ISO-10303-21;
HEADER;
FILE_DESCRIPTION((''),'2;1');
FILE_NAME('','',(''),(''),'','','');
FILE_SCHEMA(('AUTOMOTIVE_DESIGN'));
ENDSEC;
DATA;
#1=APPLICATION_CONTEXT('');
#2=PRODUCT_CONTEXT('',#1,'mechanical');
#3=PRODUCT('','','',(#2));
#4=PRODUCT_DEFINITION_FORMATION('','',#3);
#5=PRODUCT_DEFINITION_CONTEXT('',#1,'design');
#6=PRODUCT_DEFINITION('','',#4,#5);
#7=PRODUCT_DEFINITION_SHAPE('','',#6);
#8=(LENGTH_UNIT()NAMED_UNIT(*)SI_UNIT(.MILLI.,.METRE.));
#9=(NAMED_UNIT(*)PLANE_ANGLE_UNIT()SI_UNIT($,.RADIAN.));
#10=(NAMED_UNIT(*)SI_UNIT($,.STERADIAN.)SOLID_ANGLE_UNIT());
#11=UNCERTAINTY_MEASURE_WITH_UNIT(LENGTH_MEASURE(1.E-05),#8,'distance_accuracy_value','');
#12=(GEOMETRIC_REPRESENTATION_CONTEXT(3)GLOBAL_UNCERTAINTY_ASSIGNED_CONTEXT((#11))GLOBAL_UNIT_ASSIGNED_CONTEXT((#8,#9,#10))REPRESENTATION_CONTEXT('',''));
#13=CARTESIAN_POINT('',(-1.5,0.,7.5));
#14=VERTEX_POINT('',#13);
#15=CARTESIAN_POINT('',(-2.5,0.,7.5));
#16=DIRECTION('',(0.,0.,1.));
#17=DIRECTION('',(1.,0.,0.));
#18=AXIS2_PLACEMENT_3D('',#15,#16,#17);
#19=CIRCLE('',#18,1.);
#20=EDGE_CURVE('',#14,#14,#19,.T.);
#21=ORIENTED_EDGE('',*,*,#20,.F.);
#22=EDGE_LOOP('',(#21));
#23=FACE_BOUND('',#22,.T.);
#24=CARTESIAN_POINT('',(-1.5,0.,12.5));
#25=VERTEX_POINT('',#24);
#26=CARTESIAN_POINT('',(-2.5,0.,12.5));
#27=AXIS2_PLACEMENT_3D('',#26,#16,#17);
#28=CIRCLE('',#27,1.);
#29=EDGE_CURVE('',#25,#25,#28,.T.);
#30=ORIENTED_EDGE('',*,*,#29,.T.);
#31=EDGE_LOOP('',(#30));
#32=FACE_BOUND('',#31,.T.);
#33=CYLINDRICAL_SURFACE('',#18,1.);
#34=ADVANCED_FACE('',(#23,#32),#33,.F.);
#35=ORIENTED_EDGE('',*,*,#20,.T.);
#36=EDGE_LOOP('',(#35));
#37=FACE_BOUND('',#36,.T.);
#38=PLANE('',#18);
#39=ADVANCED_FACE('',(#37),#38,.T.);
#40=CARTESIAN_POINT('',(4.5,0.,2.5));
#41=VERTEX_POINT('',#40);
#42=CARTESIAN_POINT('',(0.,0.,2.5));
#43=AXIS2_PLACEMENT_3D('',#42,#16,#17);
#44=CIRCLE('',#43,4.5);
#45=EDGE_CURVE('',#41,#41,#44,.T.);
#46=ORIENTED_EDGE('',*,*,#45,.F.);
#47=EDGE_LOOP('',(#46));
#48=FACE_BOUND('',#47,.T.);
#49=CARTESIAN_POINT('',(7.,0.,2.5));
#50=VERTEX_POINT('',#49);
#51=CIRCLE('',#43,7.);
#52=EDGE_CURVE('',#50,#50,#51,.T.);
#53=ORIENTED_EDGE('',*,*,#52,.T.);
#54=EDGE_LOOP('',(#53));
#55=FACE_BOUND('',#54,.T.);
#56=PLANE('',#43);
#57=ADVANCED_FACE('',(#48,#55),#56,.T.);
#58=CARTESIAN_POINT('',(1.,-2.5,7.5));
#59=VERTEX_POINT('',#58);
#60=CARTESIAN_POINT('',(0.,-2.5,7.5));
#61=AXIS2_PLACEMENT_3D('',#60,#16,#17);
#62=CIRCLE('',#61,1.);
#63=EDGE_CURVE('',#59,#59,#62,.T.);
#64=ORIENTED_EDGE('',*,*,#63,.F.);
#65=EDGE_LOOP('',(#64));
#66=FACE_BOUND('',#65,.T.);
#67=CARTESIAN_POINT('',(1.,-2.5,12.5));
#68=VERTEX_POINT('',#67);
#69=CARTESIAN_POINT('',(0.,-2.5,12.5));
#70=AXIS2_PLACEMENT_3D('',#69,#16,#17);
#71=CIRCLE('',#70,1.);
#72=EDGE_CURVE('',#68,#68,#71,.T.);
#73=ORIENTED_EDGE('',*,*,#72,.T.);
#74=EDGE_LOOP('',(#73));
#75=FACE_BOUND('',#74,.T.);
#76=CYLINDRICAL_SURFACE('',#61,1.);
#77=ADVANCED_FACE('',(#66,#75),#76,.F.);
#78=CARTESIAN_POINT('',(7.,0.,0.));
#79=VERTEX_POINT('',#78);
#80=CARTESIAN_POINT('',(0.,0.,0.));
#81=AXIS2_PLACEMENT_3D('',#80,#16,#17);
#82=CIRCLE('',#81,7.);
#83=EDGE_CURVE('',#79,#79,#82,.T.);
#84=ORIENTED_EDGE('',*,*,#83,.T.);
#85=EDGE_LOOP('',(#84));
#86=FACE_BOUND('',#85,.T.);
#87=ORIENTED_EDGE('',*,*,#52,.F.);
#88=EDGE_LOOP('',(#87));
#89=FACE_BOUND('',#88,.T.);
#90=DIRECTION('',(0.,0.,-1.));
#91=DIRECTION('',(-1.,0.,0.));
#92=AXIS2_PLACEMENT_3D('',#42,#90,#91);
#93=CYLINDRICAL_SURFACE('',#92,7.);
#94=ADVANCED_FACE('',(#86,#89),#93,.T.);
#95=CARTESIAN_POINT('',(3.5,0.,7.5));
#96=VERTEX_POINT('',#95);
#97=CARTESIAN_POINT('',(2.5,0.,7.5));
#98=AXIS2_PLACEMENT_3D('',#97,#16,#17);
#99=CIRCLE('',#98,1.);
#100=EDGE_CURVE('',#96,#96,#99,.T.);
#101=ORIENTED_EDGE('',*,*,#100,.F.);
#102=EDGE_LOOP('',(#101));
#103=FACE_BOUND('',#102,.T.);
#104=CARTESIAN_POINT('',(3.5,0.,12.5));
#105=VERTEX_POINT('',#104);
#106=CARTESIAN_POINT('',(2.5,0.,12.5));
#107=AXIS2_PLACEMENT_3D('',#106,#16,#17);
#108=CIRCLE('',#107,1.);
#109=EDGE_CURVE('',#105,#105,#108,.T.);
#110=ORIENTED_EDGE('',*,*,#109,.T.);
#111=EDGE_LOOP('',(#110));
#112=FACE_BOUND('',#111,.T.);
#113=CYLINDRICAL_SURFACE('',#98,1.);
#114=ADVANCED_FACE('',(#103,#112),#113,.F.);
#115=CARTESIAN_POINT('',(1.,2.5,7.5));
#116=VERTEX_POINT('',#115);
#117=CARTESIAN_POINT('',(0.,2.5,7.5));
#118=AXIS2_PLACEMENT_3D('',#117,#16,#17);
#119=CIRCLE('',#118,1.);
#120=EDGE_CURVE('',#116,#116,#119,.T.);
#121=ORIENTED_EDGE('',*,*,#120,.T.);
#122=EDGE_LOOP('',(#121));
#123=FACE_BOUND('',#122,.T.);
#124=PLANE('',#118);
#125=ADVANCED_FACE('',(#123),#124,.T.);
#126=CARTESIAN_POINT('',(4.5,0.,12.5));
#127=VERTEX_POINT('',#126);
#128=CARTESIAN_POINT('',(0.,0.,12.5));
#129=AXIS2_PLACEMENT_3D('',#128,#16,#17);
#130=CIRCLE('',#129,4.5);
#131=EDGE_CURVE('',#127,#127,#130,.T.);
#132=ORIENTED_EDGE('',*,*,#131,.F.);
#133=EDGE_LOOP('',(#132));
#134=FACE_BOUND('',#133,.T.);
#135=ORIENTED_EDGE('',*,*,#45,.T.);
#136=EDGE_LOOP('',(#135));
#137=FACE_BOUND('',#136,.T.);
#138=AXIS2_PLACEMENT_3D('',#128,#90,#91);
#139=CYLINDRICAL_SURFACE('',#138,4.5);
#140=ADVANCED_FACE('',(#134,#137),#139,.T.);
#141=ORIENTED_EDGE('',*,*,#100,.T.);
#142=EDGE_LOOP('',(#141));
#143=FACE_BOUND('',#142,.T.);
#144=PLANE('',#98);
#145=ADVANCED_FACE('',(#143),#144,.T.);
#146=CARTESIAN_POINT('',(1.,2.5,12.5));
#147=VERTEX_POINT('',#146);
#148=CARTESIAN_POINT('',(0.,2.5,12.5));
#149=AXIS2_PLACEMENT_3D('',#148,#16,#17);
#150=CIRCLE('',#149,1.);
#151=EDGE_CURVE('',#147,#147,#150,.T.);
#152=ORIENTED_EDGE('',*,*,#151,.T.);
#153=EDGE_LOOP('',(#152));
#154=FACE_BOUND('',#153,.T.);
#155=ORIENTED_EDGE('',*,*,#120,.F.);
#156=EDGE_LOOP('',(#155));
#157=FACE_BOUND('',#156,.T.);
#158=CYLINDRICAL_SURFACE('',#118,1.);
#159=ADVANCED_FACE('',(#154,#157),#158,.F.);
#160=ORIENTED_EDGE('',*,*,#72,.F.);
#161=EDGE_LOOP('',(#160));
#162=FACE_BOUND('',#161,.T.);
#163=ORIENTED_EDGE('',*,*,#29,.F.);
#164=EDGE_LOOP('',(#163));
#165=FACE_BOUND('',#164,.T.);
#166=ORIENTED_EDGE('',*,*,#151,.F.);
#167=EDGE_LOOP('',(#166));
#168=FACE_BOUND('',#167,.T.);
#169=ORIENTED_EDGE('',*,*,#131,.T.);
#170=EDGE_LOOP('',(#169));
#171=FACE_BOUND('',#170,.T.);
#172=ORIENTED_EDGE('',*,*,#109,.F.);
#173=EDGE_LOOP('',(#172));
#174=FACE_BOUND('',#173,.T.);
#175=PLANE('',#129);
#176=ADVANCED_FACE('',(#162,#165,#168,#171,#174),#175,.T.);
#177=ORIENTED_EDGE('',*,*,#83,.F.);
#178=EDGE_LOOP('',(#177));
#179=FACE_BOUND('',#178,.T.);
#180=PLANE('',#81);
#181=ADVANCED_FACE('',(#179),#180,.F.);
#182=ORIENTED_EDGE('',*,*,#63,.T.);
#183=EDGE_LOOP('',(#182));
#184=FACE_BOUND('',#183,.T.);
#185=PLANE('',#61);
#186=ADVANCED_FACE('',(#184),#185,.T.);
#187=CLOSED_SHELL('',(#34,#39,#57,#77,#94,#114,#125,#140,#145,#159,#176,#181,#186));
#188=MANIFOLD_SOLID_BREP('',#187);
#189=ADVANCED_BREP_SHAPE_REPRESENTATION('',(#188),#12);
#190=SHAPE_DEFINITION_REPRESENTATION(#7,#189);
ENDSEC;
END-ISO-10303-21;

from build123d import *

# Parameters (mm, degrees)
SKETCH1_R           = 7
BOSS_EXTRUDE1_DEPTH = 2.5
SKETCH2_R           = 4.5
BOSS_EXTRUDE2_DEPTH = 10
SKETCH3_R           = 1
CUT_EXTRUDE1_DEPTH  = 5


with BuildPart() as part:
    # Sketch1 → Boss-Extrude1 (new body)
    with BuildSketch(Plane.XY):
        Circle(SKETCH1_R)
    extrude(amount=BOSS_EXTRUDE1_DEPTH)

    # Sketch2 → Boss-Extrude2 (add)
    with BuildSketch(Plane.XY.offset(2.5)):
        Circle(SKETCH2_R)
    extrude(amount=BOSS_EXTRUDE2_DEPTH)

    # Sketch3 → Cut-Extrude1 (cut)
    with BuildSketch(Plane.XY.offset(12.5)):
        with Locations((0, 2.5)):
            Circle(SKETCH3_R)
        with Locations((2.5, 0)):
            Circle(SKETCH3_R)
        with Locations((0, -2.5)):
            Circle(SKETCH3_R)
        with Locations((-2.5, 0)):
            Circle(SKETCH3_R)
    extrude(amount=-CUT_EXTRUDE1_DEPTH, mode=Mode.SUBTRACT)


solid = part.part
